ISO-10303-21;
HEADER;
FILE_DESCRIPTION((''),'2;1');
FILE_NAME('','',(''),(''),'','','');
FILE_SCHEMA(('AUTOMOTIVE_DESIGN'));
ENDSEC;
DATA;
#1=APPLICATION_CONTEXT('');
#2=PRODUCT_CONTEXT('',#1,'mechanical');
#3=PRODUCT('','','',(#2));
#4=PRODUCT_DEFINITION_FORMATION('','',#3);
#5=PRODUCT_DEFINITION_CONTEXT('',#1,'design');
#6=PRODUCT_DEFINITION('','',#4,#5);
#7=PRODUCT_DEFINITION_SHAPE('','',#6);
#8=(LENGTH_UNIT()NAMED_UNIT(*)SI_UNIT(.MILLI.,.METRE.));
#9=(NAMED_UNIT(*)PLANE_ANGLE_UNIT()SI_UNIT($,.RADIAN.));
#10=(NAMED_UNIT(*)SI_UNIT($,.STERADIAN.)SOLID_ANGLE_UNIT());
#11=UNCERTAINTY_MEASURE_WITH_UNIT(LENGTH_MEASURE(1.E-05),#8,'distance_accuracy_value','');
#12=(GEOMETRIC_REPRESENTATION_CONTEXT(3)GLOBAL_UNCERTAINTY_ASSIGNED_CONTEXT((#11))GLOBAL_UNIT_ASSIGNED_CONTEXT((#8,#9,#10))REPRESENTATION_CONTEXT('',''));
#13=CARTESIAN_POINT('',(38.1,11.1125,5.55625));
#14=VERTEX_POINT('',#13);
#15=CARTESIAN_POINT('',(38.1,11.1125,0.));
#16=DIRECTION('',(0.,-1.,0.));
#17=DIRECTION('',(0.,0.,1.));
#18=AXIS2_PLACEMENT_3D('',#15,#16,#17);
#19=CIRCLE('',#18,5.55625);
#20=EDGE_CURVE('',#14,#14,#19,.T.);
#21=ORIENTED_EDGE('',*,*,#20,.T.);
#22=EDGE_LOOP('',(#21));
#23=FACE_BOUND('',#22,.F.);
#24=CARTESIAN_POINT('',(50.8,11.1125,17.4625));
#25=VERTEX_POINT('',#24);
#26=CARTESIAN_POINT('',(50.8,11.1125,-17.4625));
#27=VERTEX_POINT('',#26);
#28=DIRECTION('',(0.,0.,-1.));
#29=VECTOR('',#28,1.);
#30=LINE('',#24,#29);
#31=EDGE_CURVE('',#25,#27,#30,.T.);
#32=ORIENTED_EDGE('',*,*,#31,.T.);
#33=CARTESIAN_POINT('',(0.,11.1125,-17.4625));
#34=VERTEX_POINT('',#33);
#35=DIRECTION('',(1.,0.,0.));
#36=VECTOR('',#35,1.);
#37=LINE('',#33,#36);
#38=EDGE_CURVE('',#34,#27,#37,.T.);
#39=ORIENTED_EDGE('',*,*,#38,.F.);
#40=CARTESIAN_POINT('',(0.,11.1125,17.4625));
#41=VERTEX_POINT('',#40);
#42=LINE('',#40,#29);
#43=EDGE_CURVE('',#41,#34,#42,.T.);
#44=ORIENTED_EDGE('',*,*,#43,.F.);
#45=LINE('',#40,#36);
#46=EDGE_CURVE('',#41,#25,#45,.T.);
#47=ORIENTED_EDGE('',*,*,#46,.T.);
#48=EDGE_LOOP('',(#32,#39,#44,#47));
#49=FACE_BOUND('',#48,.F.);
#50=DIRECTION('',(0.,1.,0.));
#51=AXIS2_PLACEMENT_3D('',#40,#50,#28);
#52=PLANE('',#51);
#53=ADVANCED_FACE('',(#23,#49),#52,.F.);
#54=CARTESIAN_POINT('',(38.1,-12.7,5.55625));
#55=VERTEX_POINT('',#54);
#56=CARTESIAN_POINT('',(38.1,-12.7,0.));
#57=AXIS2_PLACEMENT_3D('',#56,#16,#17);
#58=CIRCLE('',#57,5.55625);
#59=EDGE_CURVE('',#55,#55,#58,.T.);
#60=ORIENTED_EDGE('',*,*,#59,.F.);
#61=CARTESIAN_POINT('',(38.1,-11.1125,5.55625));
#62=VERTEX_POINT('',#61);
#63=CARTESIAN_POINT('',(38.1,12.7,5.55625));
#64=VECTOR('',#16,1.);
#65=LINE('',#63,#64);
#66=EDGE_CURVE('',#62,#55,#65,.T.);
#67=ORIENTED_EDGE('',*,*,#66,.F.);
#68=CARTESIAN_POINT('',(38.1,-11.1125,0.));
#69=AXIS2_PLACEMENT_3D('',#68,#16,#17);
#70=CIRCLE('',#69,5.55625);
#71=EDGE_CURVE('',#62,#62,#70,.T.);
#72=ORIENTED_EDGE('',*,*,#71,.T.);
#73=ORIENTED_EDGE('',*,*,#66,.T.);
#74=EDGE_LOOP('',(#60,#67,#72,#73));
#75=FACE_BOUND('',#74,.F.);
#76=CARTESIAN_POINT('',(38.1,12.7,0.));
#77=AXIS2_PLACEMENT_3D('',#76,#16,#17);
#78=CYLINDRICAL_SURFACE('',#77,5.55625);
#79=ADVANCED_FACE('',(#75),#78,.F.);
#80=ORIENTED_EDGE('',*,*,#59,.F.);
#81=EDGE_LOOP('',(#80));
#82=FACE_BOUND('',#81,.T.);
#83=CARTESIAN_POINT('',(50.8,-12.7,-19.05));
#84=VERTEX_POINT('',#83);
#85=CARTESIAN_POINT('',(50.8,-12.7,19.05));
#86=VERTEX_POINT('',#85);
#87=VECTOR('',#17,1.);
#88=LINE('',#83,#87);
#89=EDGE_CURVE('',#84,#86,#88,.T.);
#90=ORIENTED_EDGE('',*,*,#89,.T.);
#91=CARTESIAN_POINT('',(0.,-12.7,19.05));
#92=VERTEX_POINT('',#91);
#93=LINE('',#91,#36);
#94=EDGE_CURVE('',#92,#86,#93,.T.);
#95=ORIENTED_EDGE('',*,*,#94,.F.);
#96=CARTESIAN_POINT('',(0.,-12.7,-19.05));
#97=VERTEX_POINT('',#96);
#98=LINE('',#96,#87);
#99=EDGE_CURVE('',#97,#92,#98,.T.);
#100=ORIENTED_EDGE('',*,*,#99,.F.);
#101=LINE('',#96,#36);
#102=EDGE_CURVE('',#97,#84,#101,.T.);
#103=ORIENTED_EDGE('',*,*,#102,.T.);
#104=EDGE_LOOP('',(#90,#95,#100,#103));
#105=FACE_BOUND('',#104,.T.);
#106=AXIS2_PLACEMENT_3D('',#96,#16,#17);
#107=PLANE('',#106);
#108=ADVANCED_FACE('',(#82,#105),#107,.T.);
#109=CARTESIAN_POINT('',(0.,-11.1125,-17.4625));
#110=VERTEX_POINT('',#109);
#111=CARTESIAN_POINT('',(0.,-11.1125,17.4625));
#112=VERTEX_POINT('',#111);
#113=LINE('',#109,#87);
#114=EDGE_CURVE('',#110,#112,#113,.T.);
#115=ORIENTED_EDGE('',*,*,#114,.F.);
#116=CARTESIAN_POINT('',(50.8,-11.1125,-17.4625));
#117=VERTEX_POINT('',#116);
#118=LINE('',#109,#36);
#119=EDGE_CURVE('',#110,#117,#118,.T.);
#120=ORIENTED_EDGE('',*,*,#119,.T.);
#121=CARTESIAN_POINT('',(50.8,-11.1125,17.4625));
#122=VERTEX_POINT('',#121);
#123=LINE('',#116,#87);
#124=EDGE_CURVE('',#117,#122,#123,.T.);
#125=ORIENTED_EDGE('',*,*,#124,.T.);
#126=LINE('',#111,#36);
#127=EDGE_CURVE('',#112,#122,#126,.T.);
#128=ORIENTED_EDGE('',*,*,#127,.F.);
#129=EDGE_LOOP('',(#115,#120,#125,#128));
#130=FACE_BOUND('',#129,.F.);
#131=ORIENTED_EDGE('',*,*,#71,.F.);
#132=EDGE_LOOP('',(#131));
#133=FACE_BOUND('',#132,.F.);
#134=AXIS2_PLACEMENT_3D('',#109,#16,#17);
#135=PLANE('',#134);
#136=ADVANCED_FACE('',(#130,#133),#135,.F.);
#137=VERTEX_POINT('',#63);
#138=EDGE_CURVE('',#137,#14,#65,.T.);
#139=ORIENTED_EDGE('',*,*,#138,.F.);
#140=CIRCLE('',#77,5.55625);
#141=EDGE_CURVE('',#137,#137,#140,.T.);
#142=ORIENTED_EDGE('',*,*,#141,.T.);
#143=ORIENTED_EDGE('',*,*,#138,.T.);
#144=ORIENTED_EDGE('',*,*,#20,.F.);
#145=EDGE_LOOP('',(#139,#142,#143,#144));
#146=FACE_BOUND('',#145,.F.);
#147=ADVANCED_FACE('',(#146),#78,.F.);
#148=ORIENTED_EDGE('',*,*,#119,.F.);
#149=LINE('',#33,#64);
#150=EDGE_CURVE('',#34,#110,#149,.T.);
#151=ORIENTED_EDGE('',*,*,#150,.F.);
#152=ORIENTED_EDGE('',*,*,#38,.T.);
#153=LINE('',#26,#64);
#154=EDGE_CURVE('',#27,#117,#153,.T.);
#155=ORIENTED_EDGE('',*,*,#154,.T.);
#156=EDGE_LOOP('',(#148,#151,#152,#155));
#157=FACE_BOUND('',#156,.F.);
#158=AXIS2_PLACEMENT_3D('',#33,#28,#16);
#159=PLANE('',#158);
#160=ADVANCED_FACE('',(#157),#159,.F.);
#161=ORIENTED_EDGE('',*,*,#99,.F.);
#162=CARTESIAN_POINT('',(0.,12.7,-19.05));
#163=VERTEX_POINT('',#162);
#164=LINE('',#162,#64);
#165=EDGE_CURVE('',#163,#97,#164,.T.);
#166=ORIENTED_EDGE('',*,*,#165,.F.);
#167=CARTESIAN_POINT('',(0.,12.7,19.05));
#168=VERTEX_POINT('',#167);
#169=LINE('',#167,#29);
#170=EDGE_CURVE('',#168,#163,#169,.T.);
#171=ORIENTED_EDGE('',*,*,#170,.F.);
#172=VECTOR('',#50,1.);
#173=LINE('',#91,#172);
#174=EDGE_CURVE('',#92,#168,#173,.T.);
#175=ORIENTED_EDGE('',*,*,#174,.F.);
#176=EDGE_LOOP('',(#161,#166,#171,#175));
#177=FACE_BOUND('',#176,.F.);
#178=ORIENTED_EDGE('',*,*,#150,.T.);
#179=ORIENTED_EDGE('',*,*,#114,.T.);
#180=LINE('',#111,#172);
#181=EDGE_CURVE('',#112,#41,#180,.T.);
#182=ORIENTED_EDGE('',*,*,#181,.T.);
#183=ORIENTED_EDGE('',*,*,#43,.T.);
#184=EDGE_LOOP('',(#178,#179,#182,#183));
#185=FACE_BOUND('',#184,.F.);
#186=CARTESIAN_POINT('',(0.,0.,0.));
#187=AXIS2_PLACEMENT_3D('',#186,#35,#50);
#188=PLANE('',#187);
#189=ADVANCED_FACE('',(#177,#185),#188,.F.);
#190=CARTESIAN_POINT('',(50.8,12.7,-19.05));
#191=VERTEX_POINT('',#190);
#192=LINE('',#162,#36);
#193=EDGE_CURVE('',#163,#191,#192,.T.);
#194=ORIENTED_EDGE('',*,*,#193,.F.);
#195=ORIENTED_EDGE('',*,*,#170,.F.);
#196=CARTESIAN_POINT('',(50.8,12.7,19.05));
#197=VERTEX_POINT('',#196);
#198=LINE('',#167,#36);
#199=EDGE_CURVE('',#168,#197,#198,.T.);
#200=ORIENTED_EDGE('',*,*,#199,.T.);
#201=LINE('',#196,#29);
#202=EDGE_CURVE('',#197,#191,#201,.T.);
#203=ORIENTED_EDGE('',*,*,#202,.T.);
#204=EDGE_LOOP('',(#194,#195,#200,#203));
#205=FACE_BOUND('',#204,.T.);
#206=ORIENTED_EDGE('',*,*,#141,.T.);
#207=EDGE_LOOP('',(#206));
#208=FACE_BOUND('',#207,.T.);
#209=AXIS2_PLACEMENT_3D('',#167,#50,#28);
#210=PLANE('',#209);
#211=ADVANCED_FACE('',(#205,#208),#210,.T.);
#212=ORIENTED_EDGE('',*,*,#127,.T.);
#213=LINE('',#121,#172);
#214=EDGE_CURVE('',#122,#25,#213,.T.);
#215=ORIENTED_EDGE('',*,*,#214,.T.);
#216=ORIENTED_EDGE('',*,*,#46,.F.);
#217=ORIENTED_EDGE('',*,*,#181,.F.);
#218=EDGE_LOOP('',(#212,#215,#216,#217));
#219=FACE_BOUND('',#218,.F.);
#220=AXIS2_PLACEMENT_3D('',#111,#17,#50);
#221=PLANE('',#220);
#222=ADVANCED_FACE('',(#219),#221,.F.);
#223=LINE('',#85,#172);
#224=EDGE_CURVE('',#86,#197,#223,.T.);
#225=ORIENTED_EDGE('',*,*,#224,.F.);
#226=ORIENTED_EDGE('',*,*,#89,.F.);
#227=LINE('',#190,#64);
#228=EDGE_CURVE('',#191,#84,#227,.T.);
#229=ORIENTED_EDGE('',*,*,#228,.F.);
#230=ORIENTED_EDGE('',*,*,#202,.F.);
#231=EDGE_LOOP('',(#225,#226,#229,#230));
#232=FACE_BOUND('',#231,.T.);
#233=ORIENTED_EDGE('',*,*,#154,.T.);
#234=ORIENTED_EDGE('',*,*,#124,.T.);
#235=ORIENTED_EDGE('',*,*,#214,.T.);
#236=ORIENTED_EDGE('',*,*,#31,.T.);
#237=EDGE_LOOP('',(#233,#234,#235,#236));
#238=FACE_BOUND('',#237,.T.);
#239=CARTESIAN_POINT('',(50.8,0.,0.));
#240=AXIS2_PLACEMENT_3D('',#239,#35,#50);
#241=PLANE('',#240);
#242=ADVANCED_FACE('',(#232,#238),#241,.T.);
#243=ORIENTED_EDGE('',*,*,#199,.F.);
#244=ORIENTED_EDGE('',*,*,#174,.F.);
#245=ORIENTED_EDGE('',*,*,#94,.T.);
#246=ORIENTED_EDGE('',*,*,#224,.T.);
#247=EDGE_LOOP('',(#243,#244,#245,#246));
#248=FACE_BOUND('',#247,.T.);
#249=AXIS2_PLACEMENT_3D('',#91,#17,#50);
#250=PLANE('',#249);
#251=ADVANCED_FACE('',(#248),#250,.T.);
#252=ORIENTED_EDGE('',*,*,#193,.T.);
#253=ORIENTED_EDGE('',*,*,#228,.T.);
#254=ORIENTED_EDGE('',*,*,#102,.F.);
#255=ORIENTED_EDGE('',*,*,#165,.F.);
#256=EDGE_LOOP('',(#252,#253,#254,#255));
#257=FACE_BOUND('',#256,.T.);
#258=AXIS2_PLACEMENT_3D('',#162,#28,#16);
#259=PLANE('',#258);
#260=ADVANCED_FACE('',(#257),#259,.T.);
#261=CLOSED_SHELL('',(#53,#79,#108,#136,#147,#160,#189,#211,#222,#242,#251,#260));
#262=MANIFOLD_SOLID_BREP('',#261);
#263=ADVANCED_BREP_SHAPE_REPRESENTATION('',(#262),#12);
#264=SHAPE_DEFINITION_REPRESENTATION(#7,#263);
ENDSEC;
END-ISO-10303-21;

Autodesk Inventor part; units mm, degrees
ref_plane "Work Plane3" through (0, 12.7, 0) normal (0, 1, 0) x (-1, 0, 0)
ref_plane "Start Plane" through (0, 0, 0) normal (1, 0, 0) x (0, 1, 0)
ref_plane "End Plane" through (50.8, 0, 0) normal (1, 0, 0) x (0, 1, 0)
sketch "Sketch" plane through (0, 0, 0) normal (1, 0, 0) x (0, 1, 0)
  line L0 (-12.7, 19.05) -> (12.7, 19.05)
  line L1 (12.7, 19.05) -> (12.7, -19.05)
  line L2 (12.7, -19.05) -> (-12.7, -19.05)
  line L3 (-12.7, -19.05) -> (-12.7, 19.05)
  line L4 (-12.7, 19.05) -> (12.7, -19.05) construction
  line L5 (12.7, 19.05) -> (-12.7, -19.05) construction
  line L6 (-11.1125, 17.4625) -> (11.1125, 17.4625)
  line L7 (11.1125, 17.4625) -> (11.1125, -17.4625)
  line L8 (11.1125, -17.4625) -> (-11.1125, -17.4625)
  line L9 (-11.1125, -17.4625) -> (-11.1125, 17.4625)
  line L10 (-11.1125, 17.4625) -> (11.1125, -17.4625) construction
  line L11 (11.1125, 17.4625) -> (-11.1125, -17.4625) construction
  point P0 (0, 0)
  dimension "d0" = 38.1
  dimension "d1" = 25.4
  dimension "d2" = 1.5875
  dimension "d3" = 1.5875
extrude "Body" add sketch "Sketch" along normal up to surface (50.8 mm away) from surface at 0
sketch "Sketch8" plane through (0, 0, 0) normal (1, 0, 0) x (0, 1, 0)
  line L0 (0, 0) -> (10, 0)
ref_plane "Work Plane6" through (0, 0, 0) normal (0, 0, -1) x (0, 1, 0)
sketch "Sketch9" plane through (0, 0, 0) normal (0, 0, -1) x (0, 1, 0)
  line L0 (-17.78, 0) -> (17.78, 0)
  line L1 (-17.78, 50.8) -> (17.78, 50.8)
  dimension "d21" = 50.8
sketch "Sketch5" plane through (0, 12.7, -19.05) normal (0, 1, 0) x (1, 0, 0)
  line L0 (0, -38.1) -> (0, 0) projected
  point P0 (0, -19.05)
  point P1 (38.1, -19.05)
  dimension "d22" = 38.1
hole "Hole2" at (38.1, 12.7, 0) direction (0, -1, 0) diameter 11.1125 end through all
equation "\"d3\" = d2"
equation "\"G_OFFSET_START\" = 0"
equation "\"G_OFFSET_END\" = 0"
equation "\"d17\" = d4 + G_OFFSET_END"
equation "\"G_L\" = d21"
equation "\"d4\" = 50.8"
properties part number "1605682802940"
